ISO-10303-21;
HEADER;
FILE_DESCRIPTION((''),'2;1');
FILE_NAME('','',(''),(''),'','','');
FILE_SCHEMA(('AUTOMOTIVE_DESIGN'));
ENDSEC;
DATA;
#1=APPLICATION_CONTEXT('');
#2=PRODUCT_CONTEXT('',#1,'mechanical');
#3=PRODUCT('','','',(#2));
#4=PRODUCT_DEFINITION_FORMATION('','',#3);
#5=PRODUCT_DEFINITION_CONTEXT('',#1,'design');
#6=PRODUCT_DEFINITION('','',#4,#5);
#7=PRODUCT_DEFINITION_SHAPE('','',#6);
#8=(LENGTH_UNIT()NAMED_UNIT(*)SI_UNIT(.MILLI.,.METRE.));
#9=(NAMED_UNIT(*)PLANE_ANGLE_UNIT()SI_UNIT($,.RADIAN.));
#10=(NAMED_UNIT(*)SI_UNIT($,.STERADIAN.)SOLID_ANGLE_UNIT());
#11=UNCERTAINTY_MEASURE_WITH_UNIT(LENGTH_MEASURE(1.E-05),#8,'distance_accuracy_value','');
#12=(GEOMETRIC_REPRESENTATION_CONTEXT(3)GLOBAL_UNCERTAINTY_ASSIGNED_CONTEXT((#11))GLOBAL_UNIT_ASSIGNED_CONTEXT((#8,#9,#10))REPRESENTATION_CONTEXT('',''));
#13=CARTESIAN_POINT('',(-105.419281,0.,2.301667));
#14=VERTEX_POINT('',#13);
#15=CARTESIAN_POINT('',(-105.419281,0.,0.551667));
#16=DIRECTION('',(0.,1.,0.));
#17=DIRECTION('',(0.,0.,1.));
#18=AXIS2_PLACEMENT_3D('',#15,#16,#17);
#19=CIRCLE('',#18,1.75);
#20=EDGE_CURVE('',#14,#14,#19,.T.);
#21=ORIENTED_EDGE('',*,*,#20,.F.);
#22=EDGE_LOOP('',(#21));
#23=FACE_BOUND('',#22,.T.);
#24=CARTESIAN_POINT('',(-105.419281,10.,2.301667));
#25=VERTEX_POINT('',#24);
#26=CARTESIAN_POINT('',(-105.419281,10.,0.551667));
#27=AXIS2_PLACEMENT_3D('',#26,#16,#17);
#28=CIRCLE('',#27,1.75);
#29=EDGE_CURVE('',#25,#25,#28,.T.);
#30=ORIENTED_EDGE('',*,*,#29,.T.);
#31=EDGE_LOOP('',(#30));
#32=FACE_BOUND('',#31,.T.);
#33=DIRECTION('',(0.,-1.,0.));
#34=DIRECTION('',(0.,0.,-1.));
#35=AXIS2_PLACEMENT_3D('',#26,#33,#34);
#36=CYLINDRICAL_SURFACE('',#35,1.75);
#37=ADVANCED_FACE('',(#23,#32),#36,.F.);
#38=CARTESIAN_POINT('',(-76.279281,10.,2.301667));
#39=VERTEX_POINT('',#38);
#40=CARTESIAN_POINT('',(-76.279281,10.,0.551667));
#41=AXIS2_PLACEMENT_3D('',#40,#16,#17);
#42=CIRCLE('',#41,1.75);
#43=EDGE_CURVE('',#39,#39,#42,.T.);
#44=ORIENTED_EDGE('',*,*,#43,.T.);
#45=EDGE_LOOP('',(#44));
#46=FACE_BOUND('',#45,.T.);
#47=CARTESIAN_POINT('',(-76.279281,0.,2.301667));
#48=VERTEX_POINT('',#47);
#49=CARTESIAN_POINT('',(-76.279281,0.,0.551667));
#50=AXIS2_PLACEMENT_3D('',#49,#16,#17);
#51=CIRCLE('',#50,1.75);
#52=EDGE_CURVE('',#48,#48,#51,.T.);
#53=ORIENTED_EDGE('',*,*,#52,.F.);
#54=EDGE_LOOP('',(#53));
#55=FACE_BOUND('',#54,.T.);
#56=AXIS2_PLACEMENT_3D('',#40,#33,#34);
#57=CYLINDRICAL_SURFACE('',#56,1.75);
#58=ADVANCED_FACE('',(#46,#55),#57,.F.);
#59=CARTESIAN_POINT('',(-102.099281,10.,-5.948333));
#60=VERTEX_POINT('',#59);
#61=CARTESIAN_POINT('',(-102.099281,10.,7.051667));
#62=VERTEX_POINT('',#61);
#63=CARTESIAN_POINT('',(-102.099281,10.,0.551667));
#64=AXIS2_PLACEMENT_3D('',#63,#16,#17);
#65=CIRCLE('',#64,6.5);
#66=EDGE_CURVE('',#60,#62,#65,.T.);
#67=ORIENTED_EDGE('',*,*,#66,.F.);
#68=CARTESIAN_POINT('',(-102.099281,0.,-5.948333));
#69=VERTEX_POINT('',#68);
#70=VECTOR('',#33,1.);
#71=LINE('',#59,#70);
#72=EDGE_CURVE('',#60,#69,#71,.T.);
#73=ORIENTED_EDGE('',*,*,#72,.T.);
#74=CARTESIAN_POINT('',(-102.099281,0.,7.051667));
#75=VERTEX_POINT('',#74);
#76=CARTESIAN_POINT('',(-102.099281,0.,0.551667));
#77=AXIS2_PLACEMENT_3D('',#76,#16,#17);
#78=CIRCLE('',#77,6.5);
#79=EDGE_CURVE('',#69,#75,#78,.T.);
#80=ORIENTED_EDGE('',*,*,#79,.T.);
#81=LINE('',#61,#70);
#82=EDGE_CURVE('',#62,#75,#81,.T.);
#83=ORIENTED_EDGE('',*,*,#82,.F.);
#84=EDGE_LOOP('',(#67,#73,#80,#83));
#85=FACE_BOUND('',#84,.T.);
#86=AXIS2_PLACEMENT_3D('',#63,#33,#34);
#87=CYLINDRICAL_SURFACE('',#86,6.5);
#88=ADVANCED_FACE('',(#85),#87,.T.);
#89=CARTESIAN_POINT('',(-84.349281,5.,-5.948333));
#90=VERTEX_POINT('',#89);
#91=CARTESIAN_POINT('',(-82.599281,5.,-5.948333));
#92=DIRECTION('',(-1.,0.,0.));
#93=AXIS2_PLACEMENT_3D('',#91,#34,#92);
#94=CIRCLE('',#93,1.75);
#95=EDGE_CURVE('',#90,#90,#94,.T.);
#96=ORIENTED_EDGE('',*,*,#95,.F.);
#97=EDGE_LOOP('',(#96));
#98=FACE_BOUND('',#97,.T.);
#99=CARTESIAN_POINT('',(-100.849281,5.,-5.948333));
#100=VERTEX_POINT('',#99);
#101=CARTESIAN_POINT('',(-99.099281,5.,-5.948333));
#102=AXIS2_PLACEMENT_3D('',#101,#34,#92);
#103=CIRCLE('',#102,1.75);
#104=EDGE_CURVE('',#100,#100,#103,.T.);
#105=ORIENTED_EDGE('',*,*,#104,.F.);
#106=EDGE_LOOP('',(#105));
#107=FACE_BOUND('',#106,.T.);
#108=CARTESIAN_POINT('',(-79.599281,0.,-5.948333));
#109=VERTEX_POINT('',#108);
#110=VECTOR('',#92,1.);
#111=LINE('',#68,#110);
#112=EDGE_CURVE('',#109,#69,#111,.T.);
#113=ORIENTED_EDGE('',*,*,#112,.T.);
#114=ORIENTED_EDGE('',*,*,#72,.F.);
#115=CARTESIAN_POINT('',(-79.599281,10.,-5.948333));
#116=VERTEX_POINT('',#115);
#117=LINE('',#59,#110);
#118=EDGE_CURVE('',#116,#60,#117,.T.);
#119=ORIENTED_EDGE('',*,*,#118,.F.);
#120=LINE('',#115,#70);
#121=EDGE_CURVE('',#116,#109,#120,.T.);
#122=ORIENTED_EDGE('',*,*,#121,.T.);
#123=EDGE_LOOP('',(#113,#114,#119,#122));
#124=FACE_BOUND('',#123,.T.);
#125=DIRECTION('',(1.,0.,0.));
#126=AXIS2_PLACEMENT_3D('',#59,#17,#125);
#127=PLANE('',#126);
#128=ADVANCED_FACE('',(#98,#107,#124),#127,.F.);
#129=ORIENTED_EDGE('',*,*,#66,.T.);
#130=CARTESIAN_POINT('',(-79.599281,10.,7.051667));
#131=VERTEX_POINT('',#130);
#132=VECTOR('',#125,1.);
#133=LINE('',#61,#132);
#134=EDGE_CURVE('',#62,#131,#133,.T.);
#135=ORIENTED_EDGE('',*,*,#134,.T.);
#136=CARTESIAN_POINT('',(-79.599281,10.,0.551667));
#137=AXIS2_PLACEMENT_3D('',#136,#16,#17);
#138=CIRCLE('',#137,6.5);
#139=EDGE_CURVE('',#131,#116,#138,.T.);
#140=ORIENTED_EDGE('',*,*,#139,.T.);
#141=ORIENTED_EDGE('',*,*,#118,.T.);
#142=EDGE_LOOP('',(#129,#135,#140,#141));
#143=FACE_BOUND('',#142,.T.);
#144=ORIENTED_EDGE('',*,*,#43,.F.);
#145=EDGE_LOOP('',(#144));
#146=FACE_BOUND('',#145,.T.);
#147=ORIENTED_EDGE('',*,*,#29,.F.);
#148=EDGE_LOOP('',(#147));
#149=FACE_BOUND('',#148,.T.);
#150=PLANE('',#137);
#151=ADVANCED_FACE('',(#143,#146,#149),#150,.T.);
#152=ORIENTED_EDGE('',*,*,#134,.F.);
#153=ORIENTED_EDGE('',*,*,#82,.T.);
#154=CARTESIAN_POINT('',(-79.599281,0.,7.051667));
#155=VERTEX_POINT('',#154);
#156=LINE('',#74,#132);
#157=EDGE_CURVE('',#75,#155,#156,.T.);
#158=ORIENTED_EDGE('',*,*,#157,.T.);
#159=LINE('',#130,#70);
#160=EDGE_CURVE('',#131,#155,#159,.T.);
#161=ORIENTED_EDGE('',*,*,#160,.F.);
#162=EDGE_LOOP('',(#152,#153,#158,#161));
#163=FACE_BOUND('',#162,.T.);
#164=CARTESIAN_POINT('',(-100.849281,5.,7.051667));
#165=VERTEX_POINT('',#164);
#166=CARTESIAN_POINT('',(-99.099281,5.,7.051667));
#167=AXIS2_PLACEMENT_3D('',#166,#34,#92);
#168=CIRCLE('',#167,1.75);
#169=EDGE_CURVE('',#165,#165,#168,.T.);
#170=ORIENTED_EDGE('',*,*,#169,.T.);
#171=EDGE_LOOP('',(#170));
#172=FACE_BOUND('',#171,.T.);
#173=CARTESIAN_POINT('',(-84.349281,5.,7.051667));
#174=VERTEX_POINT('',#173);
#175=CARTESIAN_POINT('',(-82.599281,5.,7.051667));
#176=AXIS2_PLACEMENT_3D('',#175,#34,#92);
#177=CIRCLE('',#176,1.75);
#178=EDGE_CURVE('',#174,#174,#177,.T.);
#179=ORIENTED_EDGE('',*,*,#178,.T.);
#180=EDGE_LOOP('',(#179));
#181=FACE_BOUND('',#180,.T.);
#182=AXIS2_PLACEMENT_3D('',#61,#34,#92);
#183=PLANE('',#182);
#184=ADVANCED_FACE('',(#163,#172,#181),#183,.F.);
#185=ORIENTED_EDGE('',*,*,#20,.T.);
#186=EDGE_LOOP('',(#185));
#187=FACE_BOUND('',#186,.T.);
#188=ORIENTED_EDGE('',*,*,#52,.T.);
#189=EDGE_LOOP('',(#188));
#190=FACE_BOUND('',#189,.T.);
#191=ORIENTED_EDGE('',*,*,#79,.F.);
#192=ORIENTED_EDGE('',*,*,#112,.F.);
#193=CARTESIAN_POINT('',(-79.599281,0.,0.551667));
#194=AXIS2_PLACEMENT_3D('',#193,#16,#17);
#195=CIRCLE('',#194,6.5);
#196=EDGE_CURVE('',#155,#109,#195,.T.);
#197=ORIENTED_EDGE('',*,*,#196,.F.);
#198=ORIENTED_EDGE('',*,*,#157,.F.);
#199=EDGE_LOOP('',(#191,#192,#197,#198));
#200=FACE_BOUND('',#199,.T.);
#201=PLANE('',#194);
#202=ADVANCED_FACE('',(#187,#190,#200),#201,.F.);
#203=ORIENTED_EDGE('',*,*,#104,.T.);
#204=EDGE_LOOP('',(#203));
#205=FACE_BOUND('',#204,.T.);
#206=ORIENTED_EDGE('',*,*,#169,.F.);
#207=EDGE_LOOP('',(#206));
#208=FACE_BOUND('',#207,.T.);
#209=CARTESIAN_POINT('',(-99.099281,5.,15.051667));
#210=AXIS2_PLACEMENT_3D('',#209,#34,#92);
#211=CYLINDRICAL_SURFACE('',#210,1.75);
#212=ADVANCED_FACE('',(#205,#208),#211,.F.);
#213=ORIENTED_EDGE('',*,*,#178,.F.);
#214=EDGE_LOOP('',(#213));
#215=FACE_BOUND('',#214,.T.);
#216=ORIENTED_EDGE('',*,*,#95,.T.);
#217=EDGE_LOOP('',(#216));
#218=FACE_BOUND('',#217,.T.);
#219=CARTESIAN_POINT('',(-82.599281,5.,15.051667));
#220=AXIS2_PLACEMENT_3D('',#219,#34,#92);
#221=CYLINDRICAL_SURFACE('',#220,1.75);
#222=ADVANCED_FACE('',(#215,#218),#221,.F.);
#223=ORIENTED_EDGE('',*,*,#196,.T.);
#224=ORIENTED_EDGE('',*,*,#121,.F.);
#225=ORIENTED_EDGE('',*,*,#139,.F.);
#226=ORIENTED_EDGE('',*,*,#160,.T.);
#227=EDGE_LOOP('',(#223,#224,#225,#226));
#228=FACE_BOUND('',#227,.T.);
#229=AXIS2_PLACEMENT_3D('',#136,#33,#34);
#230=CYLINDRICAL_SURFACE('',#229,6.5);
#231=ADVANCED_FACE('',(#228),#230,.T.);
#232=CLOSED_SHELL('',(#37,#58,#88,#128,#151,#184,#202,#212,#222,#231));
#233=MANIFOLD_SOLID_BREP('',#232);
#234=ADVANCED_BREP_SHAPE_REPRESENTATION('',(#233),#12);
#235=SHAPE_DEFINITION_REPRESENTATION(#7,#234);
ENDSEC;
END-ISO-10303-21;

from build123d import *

# Parameters (mm, degrees)
SKETCH_1_R          = 1.75
EXTRUDE_1_DEPTH     = 10
SKETCH_2_R          = 1.75
CUT_EXTRUDE_1_DEPTH = 21


with BuildPart() as part:
    # 草图1 → 凸台-拉伸1 (new body)
    with BuildSketch(Plane(origin=(0, 0, 0), x_dir=(1, 0, 0), z_dir=(0, 1, 0))):
        with BuildLine():
            Line((-102.099280991, 5.948332783), (-79.599280991, 5.948332783))
            ThreePointArc((-79.599280991, 5.948332783), (-73.099280991, -0.551667217), (-79.599280991, -7.051667217))
            Line((-79.599280991, -7.051667217), (-102.099280991, -7.051667217))
            ThreePointArc((-102.099280991, -7.051667217), (-108.599280991, -0.551667217), (-102.099280991, 5.948332783))
        make_face()
        with Locations(Location((-105.419280991, -0.551667217, 0), (0, 0, 270))):
            Circle(SKETCH_1_R, mode=Mode.SUBTRACT)
        with Locations(Location((-76.279280991, -0.551667217, 0), (0, 0, 270))):
            Circle(SKETCH_1_R, mode=Mode.SUBTRACT)
    extrude(amount=EXTRUDE_1_DEPTH)

    # 草图2 → 切除-拉伸1 (cut)
    with BuildSketch(Plane(origin=(0, 0, -5.948332783), x_dir=(-1, 0, 0), z_dir=(0, 0, -1))):
        with Locations((99.099280991, 5)):
            Circle(SKETCH_2_R)
        with Locations((82.599280991, 5)):
            Circle(SKETCH_2_R)
    extrude(amount=-CUT_EXTRUDE_1_DEPTH, mode=Mode.SUBTRACT)


solid = part.part
